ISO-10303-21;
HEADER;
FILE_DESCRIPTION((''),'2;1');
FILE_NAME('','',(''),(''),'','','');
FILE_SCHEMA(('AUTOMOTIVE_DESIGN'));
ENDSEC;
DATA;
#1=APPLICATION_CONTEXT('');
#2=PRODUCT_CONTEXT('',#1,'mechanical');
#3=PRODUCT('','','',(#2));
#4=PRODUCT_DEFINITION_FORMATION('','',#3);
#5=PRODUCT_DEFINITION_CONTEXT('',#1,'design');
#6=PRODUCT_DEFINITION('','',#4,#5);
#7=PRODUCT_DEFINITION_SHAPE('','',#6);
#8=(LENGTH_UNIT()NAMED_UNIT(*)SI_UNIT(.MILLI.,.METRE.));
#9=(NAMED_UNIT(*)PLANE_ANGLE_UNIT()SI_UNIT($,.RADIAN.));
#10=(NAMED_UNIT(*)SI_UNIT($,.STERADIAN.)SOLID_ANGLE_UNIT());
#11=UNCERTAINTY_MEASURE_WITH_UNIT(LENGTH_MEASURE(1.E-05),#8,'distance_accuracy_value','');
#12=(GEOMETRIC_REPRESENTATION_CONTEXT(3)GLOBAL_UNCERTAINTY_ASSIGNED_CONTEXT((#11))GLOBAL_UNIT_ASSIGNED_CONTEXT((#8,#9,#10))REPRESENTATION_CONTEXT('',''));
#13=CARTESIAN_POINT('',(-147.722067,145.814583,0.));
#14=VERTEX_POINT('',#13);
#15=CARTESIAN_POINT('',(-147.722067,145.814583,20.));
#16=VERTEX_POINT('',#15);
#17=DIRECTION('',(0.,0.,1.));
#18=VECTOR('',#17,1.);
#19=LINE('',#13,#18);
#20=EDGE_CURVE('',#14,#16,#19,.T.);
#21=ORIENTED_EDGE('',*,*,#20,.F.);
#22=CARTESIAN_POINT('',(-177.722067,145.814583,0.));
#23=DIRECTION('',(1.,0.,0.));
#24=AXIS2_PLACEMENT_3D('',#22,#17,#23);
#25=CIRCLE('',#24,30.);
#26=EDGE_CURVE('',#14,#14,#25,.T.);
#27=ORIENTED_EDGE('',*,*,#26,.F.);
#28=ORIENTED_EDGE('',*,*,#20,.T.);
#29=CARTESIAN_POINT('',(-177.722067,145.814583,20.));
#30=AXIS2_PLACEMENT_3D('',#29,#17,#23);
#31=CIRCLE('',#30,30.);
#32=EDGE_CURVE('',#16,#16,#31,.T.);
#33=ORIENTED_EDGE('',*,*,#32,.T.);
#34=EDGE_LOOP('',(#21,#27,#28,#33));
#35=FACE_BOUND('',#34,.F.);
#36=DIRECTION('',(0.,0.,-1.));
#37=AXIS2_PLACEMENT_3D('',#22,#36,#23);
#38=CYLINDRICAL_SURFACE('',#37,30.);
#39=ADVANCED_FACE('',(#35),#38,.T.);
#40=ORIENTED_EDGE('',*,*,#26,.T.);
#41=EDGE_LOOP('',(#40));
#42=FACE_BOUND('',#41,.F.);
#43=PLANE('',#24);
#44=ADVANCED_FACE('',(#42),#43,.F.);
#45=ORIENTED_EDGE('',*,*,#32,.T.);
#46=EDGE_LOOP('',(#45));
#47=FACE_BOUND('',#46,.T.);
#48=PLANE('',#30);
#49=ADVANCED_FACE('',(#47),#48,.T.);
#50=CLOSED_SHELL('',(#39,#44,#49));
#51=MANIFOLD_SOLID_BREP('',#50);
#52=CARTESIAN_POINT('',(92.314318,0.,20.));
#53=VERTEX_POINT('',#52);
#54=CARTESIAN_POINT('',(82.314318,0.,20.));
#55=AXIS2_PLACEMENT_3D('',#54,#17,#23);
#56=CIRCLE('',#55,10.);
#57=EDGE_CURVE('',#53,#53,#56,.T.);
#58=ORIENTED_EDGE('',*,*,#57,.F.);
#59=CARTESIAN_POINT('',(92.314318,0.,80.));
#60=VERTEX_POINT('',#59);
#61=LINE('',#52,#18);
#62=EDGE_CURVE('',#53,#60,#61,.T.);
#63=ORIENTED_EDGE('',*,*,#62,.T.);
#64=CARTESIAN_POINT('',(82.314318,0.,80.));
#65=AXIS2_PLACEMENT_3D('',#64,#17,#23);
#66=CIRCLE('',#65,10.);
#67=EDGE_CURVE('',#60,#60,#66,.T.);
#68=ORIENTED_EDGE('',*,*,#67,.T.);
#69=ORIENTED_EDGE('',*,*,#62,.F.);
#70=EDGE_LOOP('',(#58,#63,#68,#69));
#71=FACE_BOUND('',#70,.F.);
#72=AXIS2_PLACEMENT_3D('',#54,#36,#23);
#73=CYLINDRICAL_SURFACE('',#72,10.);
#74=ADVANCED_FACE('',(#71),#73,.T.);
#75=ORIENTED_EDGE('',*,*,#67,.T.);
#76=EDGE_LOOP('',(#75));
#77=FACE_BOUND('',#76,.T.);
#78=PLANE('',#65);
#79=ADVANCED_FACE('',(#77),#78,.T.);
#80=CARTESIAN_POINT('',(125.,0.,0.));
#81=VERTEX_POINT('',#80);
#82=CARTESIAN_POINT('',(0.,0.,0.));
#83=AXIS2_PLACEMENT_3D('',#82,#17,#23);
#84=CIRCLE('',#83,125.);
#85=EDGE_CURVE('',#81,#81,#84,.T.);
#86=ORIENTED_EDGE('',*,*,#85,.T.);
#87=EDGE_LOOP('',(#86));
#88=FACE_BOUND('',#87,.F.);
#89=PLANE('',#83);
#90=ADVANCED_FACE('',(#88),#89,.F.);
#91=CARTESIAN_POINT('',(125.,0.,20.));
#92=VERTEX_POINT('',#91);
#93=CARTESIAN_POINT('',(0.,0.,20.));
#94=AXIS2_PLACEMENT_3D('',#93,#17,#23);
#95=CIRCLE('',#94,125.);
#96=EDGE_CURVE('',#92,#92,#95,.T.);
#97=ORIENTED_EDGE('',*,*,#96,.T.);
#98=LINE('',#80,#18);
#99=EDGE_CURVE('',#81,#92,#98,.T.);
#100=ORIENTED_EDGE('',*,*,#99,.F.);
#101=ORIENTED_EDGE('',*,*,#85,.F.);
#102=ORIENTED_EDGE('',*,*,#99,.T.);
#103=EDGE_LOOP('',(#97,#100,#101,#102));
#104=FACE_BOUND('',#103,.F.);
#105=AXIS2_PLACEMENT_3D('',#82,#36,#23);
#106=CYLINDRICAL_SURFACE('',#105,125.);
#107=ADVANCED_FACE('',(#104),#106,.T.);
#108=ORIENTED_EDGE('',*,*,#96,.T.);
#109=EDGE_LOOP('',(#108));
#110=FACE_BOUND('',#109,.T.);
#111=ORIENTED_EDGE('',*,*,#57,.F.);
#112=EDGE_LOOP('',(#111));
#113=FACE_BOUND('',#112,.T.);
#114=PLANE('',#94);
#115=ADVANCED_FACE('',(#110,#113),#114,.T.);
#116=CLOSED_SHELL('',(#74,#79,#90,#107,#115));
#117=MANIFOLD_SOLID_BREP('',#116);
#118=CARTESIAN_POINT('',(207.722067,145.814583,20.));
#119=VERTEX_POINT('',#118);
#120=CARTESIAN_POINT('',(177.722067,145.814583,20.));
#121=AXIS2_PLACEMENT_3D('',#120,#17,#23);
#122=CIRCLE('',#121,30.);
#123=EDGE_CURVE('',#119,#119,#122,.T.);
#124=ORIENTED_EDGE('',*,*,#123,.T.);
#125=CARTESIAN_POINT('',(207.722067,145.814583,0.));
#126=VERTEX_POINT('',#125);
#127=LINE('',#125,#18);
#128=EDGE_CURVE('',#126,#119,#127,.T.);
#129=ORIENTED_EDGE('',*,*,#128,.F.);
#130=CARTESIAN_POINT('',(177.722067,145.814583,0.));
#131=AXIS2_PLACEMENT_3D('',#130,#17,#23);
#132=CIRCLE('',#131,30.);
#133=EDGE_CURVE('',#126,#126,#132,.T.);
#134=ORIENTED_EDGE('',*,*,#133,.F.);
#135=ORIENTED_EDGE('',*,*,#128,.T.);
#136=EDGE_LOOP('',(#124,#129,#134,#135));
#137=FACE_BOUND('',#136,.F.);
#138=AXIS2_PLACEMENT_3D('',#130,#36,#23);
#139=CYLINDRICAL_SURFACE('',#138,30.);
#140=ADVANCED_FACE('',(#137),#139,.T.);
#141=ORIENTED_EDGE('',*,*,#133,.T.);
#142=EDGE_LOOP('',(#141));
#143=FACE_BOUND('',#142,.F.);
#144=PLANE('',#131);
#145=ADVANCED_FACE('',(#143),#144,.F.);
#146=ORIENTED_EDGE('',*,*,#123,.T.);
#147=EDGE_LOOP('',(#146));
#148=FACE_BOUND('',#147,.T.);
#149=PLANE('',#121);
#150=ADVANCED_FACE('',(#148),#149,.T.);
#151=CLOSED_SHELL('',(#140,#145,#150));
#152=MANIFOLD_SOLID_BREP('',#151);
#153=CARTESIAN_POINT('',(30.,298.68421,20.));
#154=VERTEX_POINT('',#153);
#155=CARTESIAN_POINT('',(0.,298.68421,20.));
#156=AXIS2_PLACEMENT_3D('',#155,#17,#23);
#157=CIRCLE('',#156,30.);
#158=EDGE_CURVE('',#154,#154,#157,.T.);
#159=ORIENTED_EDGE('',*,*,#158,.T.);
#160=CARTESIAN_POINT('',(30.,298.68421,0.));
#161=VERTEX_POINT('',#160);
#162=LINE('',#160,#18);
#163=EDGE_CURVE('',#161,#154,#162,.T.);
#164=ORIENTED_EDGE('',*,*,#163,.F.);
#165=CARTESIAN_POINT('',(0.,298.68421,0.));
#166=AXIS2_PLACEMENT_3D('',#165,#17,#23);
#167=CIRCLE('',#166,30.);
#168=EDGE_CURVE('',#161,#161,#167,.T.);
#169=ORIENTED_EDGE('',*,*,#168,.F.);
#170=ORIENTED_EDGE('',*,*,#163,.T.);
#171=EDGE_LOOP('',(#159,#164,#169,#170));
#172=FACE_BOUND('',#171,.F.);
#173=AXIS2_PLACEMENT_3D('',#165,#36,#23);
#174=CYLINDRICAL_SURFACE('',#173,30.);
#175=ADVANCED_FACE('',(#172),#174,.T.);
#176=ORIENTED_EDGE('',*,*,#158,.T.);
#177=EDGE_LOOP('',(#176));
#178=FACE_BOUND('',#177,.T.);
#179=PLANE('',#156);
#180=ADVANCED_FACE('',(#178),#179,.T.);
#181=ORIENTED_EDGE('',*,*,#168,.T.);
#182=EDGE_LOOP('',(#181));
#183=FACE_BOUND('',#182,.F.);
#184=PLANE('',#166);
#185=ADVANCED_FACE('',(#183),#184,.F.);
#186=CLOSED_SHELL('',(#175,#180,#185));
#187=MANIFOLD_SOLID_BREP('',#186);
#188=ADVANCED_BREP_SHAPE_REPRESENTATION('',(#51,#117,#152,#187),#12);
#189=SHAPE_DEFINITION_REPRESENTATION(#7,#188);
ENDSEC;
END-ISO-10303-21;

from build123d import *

# Parameters (mm, degrees)
F0_R     = 125
F0_R_2   = 30
F1_DEPTH = 20
F2_R     = 10
F3_DEPTH = 60


with BuildPart() as f1:
    # F0 (on Top) → F1 (new body)
    with BuildSketch(Plane.XY):
        Circle(F0_R)
        with Locations((177.722067, 145.814583)):
            Circle(F0_R_2)
        with Locations((-177.722067, 145.814583)):
            Circle(F0_R_2)
        with Locations((0, 298.68421)):
            Circle(F0_R_2)
    extrude(amount=F1_DEPTH)

    # F2 (on face) → F3 (join)
    with BuildSketch(Plane.XY.offset(20)):
        with Locations((82.314318, 0)):
            Circle(F2_R)
    extrude(amount=F3_DEPTH)


solid = f1.part
